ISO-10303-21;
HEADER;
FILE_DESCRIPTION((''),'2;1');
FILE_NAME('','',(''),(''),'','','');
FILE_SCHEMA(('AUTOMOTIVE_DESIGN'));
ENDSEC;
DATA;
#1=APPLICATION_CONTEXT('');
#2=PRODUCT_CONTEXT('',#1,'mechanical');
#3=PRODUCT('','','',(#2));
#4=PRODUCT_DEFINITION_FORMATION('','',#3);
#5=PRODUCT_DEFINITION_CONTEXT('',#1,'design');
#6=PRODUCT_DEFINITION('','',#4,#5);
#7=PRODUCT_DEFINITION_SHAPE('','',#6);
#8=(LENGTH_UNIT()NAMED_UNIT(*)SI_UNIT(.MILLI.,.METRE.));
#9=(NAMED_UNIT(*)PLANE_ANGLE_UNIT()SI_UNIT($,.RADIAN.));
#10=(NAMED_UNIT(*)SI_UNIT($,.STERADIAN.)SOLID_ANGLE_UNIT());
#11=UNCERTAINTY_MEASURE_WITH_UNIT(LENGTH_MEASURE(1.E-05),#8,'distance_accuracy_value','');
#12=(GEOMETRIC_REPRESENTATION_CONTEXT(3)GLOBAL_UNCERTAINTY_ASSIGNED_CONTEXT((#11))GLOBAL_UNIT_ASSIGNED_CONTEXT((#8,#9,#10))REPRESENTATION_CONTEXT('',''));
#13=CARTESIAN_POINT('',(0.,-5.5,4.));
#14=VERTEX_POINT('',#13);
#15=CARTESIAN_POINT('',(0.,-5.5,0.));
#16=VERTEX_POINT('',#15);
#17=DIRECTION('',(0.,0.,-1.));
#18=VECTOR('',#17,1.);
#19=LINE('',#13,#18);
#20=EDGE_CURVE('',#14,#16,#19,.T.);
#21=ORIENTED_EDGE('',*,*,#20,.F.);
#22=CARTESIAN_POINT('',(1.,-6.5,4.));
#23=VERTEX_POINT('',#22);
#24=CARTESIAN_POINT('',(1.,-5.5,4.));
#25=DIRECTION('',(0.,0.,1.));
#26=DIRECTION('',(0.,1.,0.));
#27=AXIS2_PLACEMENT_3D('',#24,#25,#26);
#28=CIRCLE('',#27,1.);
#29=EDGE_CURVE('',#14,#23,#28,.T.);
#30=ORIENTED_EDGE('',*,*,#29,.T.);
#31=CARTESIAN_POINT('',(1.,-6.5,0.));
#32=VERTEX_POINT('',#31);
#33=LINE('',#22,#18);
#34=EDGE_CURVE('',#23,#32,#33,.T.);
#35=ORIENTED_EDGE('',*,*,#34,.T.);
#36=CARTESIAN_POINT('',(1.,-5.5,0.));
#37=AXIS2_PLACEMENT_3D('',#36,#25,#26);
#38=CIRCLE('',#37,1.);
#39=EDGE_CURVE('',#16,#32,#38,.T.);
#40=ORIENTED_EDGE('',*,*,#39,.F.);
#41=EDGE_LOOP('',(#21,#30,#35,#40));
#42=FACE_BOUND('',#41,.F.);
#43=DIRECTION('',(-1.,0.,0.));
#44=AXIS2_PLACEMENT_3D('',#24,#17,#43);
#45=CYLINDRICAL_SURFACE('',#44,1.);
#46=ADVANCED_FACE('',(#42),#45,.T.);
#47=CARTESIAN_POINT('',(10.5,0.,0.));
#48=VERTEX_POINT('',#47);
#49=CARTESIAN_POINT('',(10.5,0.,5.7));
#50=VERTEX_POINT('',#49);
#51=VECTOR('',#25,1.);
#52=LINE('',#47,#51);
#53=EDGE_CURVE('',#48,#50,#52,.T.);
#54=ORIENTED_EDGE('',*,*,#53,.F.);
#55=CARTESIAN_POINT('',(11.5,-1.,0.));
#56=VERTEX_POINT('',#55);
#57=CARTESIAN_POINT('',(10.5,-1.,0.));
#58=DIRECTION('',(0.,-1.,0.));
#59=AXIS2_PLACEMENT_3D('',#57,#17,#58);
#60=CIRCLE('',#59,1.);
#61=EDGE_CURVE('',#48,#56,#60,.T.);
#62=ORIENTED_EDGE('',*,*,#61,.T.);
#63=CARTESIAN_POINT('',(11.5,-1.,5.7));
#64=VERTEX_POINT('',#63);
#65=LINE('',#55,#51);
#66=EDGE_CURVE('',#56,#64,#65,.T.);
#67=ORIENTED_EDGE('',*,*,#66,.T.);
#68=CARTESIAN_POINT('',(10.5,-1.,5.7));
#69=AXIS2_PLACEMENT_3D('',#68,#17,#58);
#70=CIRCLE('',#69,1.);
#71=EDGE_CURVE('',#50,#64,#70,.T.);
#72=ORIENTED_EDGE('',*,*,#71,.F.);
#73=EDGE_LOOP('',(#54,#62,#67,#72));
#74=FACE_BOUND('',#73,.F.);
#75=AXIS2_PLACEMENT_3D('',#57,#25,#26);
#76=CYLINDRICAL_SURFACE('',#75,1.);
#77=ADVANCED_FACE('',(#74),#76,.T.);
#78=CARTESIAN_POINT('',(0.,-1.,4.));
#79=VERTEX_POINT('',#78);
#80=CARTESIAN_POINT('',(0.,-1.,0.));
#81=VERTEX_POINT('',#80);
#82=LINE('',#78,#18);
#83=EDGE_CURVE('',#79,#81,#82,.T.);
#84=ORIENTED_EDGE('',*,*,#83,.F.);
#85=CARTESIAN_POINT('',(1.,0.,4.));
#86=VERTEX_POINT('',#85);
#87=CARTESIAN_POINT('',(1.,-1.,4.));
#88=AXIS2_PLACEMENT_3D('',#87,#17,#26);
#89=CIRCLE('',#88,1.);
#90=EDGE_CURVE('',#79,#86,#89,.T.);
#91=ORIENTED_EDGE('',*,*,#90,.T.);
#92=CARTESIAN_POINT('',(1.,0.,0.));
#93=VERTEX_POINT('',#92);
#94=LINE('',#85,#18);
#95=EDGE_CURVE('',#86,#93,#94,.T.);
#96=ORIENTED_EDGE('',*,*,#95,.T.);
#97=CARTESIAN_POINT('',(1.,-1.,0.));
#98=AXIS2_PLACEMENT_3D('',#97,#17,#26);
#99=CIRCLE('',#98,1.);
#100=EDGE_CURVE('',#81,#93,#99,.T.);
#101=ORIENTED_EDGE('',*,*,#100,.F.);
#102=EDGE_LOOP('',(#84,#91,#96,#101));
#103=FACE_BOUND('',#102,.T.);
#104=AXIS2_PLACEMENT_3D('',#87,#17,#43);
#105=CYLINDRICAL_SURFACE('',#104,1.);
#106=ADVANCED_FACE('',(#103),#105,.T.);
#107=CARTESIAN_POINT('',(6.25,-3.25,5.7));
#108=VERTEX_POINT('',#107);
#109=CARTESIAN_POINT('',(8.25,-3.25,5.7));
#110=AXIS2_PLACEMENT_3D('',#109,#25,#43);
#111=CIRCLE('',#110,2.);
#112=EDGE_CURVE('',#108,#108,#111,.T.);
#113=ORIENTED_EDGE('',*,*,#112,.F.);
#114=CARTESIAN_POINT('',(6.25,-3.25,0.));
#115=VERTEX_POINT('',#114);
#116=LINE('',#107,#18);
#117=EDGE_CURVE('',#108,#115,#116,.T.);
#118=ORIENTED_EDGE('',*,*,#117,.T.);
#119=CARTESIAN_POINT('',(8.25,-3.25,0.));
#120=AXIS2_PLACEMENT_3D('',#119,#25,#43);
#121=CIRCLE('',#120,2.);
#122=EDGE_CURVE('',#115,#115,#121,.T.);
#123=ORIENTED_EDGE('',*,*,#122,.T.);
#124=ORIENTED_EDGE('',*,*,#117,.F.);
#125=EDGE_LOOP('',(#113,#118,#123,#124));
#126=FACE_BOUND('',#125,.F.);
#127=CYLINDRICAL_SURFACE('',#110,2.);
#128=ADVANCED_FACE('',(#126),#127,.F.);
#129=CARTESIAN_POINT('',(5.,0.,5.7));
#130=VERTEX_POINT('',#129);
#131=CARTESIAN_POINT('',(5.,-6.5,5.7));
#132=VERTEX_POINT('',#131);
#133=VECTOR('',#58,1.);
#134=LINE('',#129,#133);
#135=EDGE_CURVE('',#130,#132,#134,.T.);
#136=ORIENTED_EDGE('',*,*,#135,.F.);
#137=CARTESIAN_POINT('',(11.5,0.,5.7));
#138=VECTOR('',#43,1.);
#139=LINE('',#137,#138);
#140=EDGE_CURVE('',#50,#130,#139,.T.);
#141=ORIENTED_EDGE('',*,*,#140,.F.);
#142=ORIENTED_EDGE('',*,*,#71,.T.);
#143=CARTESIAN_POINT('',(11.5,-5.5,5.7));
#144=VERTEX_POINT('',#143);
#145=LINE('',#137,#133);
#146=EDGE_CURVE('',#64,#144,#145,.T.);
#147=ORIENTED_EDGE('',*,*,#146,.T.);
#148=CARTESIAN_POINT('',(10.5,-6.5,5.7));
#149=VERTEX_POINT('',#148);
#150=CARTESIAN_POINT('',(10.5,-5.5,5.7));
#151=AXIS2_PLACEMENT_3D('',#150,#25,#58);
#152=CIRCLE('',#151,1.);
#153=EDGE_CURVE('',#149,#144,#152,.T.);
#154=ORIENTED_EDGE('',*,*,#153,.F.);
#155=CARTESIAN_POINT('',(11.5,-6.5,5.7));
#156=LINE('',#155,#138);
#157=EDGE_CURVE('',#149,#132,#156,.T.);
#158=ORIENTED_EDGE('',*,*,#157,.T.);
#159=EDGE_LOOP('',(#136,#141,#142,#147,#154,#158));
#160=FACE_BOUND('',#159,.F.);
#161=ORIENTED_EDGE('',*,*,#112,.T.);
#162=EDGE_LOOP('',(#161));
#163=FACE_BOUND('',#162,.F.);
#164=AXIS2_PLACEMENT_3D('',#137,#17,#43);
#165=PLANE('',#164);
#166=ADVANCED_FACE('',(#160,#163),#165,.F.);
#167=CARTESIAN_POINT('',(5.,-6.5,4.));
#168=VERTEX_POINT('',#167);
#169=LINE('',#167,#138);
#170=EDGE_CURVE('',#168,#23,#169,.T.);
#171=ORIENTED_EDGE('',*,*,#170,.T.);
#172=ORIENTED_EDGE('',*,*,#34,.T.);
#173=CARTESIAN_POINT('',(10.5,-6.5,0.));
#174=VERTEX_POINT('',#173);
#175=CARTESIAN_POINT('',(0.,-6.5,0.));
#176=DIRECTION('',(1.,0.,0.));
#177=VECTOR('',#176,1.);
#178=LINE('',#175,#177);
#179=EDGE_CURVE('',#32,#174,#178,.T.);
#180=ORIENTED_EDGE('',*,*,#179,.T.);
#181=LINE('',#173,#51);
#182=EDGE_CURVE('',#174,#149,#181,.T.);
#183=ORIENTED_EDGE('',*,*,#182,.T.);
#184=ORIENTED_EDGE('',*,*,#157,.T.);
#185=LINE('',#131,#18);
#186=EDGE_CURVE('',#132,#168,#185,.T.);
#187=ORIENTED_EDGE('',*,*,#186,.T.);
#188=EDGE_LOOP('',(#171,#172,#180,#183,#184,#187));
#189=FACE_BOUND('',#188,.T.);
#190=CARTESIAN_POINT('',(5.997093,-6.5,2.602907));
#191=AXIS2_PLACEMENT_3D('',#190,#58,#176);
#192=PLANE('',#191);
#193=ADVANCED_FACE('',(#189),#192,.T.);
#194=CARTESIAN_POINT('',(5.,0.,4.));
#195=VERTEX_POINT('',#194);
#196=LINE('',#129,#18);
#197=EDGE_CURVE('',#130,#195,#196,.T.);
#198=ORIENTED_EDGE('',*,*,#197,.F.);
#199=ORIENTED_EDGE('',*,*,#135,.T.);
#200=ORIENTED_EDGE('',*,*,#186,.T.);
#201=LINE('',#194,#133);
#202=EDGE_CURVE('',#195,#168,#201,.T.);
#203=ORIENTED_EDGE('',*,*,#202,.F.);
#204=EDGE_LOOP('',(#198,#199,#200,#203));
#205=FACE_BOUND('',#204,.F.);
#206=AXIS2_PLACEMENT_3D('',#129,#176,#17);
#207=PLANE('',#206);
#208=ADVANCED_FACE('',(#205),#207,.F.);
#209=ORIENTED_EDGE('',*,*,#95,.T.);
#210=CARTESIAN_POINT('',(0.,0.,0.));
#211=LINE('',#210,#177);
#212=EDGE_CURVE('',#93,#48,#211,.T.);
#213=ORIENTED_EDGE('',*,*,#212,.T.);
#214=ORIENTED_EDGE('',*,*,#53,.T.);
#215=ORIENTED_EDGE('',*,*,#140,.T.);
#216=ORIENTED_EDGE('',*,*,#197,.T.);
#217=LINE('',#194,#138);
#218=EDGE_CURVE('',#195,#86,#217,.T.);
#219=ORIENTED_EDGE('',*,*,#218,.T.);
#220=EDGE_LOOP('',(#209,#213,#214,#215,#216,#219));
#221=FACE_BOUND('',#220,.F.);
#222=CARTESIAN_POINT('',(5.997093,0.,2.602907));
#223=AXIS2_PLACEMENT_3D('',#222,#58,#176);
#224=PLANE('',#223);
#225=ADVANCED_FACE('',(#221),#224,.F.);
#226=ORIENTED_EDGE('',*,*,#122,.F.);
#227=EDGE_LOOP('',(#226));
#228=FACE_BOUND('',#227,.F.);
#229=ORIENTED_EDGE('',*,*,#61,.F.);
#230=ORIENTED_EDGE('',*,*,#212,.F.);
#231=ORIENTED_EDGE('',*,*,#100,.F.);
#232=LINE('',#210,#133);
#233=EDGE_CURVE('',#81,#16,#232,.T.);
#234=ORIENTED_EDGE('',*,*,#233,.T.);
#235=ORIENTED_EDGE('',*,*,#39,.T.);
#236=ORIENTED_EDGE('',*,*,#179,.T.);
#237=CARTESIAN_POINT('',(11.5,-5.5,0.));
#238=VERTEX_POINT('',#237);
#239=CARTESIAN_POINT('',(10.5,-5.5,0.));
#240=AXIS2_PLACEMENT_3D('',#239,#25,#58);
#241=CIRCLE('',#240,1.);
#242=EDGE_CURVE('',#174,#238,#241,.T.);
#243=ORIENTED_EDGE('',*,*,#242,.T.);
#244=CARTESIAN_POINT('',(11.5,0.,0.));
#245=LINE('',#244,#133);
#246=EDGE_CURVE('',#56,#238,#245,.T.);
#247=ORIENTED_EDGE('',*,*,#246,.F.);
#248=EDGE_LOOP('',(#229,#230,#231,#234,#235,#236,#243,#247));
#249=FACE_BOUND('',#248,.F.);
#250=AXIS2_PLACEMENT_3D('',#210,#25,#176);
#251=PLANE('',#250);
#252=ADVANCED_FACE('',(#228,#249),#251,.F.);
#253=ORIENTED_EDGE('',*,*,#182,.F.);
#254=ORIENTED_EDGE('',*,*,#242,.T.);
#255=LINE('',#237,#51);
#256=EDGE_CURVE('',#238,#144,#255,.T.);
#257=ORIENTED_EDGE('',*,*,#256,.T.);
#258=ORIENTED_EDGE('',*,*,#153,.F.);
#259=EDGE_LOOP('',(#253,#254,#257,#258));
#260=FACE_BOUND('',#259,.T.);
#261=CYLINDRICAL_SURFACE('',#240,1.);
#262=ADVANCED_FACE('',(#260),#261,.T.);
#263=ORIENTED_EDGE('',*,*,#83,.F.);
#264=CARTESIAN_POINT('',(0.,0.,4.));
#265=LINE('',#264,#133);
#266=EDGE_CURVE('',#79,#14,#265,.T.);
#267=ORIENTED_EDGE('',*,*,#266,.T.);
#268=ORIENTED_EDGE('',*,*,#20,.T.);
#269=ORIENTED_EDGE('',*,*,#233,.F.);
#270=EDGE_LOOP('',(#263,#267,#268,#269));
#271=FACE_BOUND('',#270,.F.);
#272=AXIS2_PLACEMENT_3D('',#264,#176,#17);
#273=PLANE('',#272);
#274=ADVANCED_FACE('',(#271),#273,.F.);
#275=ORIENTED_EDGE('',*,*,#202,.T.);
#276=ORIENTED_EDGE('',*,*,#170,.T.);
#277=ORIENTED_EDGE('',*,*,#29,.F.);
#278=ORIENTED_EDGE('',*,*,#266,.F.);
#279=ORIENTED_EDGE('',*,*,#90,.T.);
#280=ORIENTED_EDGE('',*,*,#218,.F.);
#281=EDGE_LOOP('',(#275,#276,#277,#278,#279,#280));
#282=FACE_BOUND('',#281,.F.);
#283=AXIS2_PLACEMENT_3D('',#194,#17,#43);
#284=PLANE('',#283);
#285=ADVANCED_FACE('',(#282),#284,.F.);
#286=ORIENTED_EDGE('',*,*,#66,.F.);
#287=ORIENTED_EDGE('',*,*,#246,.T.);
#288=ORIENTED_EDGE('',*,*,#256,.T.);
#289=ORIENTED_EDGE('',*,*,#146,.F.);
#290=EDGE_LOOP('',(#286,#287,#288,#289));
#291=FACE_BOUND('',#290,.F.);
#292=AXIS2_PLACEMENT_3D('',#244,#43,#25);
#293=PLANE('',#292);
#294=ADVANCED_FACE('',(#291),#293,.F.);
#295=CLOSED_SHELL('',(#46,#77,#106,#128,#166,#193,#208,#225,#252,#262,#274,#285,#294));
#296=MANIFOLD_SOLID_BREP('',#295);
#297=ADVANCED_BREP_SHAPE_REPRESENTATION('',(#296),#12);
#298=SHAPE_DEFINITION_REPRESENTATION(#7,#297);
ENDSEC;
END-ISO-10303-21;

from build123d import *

# Parameters (mm, degrees)
PAD_DEPTH    = 6.5
SKETCH001_R  = 2
POCKET_DEPTH = 5.701
FILLET_R     = 1


with BuildPart() as part:
    # Sketch → Pad (new body)
    with BuildSketch(Plane.XZ):
        Polygon((0, 0), (11.5, 0), (11.5, 5.7), (5, 5.7), (5, 4), (0, 4), align=None)
    extrude(amount=PAD_DEPTH)

    # Sketch001 → Pocket (cut, through all)
    with BuildSketch(Plane(origin=(0, 0, 5.7), x_dir=(-1, 0, 0), z_dir=(0, 0, 1))):
        with Locations((-8.25, 3.25)):
            Circle(SKETCH001_R)
    extrude(amount=-POCKET_DEPTH, mode=Mode.SUBTRACT)

    # Fillet
    fillet_edges = [part.edges().sort_by_distance(p)[0] for p in [
        (0, 0, 2),
        (0, -6.5, 2),
        (11.5, 0, 2.85),
        (11.5, -6.5, 2.85),
    ]]
    fillet(fillet_edges, radius=FILLET_R)


solid = part.part
